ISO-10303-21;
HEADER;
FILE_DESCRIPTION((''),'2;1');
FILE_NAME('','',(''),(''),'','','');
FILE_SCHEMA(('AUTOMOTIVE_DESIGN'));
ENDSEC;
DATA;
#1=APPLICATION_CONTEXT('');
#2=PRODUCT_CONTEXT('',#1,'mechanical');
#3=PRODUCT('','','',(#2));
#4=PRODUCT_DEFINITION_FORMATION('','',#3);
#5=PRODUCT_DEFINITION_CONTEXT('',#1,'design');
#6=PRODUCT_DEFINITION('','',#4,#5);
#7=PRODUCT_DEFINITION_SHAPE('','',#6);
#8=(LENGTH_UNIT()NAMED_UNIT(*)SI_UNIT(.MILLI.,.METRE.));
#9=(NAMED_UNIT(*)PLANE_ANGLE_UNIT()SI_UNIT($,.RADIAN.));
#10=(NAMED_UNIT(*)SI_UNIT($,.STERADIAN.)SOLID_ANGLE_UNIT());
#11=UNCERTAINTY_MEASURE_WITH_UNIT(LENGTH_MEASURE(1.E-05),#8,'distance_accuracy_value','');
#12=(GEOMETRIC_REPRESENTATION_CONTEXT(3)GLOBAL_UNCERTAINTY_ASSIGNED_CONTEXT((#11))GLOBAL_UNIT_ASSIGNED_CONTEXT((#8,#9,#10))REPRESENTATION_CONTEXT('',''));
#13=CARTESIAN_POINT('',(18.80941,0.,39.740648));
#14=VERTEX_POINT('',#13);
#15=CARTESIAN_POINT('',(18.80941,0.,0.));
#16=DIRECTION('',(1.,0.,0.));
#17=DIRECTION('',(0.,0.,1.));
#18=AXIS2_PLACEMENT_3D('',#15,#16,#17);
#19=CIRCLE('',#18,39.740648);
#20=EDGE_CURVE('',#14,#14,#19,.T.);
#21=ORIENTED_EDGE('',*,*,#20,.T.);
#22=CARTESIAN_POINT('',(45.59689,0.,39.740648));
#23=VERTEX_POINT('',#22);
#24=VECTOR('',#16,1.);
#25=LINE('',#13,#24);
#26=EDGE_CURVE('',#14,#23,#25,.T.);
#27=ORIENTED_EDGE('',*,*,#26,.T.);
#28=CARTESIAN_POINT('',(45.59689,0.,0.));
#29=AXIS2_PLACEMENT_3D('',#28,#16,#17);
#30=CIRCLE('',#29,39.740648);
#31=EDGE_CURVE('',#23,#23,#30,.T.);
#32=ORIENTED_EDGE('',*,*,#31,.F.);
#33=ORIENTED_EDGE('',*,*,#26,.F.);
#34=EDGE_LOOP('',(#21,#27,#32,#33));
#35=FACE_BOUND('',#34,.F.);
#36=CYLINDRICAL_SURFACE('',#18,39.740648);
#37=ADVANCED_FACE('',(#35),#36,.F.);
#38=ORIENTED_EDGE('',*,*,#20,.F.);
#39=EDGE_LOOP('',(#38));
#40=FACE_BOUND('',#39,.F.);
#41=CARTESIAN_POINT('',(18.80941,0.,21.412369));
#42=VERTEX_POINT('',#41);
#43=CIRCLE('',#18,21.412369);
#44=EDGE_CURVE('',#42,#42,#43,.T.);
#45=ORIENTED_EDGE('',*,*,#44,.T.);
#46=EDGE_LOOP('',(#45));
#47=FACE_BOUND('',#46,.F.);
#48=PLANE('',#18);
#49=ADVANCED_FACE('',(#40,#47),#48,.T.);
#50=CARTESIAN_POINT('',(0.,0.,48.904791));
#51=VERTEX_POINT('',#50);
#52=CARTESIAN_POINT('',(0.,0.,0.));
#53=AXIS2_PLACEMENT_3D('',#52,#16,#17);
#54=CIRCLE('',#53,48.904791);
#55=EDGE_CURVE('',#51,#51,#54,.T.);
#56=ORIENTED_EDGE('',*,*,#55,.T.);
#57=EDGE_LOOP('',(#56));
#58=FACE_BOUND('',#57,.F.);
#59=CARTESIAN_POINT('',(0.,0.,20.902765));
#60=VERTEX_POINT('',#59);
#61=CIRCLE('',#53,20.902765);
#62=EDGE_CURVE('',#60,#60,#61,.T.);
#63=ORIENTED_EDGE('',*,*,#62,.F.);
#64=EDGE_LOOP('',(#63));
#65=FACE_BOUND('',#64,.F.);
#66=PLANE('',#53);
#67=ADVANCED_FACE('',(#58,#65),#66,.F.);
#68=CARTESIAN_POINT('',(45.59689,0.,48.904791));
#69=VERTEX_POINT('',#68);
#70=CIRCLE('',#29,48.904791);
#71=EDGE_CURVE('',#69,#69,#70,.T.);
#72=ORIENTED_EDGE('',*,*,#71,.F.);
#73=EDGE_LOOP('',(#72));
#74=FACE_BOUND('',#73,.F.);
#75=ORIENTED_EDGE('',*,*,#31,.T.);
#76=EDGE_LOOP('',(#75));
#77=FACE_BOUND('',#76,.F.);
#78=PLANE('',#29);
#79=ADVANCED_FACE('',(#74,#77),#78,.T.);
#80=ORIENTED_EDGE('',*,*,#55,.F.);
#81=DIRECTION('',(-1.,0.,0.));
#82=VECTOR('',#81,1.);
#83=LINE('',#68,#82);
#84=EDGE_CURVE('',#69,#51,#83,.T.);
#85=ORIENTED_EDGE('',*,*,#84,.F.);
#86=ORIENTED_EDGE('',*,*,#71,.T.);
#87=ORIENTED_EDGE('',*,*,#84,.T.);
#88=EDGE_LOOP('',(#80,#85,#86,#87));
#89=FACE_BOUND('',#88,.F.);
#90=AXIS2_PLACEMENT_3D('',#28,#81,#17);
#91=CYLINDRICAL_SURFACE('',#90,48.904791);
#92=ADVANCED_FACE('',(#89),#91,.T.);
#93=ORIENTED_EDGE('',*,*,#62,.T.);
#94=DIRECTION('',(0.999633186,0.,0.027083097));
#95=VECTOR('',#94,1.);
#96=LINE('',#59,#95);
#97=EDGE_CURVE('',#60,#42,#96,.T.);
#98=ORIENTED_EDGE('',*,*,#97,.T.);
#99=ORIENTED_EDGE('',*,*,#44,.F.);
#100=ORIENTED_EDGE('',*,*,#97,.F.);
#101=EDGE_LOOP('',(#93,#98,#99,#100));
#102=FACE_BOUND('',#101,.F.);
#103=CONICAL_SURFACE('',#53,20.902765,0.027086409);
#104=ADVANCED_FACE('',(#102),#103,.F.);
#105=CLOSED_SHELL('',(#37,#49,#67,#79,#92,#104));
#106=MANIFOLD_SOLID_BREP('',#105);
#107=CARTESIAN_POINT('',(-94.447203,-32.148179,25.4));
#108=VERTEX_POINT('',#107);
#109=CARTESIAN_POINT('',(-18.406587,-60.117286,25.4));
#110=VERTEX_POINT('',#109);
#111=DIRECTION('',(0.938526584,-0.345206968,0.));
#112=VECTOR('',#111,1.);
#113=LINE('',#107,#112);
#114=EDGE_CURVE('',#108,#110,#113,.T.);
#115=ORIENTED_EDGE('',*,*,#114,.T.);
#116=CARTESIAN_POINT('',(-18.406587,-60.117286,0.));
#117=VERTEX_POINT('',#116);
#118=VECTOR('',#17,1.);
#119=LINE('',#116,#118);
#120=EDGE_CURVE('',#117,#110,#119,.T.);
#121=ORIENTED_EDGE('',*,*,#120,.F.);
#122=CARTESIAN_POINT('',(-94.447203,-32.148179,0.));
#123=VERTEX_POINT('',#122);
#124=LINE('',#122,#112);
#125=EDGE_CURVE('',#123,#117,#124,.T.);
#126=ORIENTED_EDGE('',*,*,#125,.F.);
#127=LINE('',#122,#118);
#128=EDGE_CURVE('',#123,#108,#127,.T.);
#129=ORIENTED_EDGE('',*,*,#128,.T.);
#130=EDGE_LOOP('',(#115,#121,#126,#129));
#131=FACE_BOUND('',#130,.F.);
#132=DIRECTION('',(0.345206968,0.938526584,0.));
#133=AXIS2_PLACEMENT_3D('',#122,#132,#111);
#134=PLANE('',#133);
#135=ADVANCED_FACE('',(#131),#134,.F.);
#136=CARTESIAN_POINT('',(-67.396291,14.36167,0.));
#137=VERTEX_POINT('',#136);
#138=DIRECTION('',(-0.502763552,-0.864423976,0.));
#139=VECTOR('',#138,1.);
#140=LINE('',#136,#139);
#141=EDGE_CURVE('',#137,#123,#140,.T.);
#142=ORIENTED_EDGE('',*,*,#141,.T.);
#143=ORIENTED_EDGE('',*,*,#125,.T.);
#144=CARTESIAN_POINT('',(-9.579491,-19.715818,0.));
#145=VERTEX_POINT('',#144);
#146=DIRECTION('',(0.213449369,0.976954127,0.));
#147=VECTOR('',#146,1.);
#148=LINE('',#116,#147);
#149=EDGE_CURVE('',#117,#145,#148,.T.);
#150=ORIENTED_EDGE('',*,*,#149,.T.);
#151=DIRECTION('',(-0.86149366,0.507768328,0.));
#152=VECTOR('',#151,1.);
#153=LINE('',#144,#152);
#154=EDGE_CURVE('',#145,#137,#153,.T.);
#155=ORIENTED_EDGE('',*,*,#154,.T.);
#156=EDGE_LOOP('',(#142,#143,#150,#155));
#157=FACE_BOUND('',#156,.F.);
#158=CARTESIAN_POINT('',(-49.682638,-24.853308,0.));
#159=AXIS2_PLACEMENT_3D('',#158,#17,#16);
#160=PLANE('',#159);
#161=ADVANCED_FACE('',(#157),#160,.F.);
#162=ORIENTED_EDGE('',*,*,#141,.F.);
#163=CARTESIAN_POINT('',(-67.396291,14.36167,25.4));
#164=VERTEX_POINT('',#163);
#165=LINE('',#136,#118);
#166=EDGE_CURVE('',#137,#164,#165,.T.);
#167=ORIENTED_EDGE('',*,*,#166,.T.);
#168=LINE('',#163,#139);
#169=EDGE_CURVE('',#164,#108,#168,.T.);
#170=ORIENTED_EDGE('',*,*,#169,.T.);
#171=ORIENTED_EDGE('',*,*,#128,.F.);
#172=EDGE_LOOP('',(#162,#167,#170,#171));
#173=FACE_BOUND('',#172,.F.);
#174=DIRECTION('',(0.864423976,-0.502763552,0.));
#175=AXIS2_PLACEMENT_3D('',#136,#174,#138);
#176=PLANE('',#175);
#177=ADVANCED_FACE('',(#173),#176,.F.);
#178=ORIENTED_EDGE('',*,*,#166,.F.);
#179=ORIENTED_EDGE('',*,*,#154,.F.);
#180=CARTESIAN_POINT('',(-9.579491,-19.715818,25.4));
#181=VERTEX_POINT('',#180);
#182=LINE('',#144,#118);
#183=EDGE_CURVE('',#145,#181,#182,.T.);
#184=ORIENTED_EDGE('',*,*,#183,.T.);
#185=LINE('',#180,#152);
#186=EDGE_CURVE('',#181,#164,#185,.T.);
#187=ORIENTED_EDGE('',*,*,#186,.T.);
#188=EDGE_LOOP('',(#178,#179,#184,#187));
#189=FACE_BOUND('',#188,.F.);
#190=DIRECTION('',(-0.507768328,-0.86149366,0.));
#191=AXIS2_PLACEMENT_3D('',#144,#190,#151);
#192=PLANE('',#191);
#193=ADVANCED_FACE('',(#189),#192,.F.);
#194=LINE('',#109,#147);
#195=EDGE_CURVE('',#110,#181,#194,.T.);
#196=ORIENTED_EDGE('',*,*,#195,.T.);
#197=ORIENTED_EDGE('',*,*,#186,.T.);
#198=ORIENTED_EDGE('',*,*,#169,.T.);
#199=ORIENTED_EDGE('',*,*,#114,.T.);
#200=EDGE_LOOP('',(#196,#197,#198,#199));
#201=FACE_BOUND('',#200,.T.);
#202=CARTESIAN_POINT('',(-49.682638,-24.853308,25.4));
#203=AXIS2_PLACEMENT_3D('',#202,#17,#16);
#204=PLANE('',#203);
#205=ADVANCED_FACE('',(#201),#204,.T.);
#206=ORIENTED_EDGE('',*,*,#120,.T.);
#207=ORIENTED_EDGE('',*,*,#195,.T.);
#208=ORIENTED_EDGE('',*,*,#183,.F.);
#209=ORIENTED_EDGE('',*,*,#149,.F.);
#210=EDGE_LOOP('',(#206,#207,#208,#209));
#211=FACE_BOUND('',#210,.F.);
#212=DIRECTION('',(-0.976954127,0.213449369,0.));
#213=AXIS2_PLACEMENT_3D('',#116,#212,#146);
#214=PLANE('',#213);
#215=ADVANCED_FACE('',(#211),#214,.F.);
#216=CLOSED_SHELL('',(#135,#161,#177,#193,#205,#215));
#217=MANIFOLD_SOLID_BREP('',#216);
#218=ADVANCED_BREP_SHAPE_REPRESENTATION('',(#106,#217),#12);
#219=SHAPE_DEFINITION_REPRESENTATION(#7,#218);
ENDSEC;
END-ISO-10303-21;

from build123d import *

# Parameters (mm, degrees)
F1_DEPTH = 25.4


with BuildPart() as f1:
    # F0 (on Top) → F1 (new body)
    with BuildSketch(Plane.XY):
        Polygon((-67.396291, 14.36167), (-94.447203, -32.148179), (-18.406587, -60.117286), (-9.579491, -19.715818), align=None)
    extrude(amount=F1_DEPTH)


with BuildPart() as f3:
    # F2 (on Front) → F3 (revolve)
    with BuildSketch(Plane.XZ):
        Polygon((0, 48.904791), (0, 20.902765), (18.80941, 21.412369), (18.80941, 39.740648), (45.59689, 39.740648), (45.59689, 48.904791), align=None)
    revolve(axis=Axis((19.755913, 0, 0), (1, 0, 0)))


solid = Compound([f1.part, f3.part])
